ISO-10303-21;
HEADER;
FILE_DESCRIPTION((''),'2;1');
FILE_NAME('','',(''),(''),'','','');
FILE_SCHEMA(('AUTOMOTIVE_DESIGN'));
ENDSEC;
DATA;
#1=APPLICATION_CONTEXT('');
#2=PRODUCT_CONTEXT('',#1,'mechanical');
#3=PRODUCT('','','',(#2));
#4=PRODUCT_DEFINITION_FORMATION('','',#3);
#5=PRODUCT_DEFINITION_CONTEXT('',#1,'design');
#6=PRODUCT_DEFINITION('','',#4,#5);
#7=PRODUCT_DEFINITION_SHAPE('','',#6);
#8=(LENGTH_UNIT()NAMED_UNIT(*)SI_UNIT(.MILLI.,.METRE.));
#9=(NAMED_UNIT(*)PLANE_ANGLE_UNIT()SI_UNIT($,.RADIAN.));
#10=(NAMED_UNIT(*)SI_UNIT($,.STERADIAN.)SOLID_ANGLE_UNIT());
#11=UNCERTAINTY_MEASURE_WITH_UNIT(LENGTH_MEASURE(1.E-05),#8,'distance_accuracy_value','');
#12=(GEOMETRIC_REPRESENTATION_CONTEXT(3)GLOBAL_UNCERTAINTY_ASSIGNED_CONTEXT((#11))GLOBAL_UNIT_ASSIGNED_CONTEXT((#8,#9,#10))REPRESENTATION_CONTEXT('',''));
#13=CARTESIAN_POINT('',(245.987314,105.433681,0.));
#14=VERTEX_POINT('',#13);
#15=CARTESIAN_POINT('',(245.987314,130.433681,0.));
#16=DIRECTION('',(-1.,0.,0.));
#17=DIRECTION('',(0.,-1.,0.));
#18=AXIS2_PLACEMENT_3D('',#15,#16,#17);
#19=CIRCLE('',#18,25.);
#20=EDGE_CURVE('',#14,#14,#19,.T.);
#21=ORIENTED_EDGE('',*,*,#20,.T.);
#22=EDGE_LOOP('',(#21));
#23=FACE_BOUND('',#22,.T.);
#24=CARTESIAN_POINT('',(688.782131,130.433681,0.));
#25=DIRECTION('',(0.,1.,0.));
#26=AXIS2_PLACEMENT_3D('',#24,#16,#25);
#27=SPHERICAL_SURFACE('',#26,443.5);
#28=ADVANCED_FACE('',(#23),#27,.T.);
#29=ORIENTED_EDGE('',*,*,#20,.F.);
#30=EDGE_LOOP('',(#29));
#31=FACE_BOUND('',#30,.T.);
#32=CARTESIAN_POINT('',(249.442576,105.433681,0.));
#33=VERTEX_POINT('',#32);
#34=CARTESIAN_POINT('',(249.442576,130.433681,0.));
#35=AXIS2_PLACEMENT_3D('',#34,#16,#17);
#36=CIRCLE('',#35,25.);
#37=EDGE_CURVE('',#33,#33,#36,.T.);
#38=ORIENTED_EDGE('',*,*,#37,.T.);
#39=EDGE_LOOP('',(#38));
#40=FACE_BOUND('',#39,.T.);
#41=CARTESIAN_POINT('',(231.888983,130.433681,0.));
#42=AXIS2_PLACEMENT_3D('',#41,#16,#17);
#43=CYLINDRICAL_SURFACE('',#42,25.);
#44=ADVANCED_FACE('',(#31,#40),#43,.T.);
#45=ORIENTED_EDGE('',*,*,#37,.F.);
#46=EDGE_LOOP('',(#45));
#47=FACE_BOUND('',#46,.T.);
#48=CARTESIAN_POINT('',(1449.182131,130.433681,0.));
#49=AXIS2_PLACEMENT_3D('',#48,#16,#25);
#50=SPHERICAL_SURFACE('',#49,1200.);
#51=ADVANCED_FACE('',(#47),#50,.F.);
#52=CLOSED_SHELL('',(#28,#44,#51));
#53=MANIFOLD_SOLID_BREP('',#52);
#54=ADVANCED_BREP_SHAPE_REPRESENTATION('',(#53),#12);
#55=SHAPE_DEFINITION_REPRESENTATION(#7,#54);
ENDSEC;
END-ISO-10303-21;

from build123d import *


with BuildPart() as part:
    # 草图1 → 旋转1 (revolve)
    with BuildSketch(Plane.XY):
        with BuildLine():
            Line((245.987314079, 155.433680942), (249.442576051, 155.433680942))
            ThreePointArc((249.442576051, 155.433680942), (249.24724412, 142.934359239), (249.182131121, 130.433680942))
            Line((249.182131121, 130.433680942), (245.282131121, 130.433680942))
            ThreePointArc((245.282131121, 130.433680942), (245.458461914, 142.938652783), (245.987314079, 155.433680942))
        make_face()
    revolve(axis=Axis((231.888982596, 130.433680942, 0), (1, 0, 0)))


solid = part.part
